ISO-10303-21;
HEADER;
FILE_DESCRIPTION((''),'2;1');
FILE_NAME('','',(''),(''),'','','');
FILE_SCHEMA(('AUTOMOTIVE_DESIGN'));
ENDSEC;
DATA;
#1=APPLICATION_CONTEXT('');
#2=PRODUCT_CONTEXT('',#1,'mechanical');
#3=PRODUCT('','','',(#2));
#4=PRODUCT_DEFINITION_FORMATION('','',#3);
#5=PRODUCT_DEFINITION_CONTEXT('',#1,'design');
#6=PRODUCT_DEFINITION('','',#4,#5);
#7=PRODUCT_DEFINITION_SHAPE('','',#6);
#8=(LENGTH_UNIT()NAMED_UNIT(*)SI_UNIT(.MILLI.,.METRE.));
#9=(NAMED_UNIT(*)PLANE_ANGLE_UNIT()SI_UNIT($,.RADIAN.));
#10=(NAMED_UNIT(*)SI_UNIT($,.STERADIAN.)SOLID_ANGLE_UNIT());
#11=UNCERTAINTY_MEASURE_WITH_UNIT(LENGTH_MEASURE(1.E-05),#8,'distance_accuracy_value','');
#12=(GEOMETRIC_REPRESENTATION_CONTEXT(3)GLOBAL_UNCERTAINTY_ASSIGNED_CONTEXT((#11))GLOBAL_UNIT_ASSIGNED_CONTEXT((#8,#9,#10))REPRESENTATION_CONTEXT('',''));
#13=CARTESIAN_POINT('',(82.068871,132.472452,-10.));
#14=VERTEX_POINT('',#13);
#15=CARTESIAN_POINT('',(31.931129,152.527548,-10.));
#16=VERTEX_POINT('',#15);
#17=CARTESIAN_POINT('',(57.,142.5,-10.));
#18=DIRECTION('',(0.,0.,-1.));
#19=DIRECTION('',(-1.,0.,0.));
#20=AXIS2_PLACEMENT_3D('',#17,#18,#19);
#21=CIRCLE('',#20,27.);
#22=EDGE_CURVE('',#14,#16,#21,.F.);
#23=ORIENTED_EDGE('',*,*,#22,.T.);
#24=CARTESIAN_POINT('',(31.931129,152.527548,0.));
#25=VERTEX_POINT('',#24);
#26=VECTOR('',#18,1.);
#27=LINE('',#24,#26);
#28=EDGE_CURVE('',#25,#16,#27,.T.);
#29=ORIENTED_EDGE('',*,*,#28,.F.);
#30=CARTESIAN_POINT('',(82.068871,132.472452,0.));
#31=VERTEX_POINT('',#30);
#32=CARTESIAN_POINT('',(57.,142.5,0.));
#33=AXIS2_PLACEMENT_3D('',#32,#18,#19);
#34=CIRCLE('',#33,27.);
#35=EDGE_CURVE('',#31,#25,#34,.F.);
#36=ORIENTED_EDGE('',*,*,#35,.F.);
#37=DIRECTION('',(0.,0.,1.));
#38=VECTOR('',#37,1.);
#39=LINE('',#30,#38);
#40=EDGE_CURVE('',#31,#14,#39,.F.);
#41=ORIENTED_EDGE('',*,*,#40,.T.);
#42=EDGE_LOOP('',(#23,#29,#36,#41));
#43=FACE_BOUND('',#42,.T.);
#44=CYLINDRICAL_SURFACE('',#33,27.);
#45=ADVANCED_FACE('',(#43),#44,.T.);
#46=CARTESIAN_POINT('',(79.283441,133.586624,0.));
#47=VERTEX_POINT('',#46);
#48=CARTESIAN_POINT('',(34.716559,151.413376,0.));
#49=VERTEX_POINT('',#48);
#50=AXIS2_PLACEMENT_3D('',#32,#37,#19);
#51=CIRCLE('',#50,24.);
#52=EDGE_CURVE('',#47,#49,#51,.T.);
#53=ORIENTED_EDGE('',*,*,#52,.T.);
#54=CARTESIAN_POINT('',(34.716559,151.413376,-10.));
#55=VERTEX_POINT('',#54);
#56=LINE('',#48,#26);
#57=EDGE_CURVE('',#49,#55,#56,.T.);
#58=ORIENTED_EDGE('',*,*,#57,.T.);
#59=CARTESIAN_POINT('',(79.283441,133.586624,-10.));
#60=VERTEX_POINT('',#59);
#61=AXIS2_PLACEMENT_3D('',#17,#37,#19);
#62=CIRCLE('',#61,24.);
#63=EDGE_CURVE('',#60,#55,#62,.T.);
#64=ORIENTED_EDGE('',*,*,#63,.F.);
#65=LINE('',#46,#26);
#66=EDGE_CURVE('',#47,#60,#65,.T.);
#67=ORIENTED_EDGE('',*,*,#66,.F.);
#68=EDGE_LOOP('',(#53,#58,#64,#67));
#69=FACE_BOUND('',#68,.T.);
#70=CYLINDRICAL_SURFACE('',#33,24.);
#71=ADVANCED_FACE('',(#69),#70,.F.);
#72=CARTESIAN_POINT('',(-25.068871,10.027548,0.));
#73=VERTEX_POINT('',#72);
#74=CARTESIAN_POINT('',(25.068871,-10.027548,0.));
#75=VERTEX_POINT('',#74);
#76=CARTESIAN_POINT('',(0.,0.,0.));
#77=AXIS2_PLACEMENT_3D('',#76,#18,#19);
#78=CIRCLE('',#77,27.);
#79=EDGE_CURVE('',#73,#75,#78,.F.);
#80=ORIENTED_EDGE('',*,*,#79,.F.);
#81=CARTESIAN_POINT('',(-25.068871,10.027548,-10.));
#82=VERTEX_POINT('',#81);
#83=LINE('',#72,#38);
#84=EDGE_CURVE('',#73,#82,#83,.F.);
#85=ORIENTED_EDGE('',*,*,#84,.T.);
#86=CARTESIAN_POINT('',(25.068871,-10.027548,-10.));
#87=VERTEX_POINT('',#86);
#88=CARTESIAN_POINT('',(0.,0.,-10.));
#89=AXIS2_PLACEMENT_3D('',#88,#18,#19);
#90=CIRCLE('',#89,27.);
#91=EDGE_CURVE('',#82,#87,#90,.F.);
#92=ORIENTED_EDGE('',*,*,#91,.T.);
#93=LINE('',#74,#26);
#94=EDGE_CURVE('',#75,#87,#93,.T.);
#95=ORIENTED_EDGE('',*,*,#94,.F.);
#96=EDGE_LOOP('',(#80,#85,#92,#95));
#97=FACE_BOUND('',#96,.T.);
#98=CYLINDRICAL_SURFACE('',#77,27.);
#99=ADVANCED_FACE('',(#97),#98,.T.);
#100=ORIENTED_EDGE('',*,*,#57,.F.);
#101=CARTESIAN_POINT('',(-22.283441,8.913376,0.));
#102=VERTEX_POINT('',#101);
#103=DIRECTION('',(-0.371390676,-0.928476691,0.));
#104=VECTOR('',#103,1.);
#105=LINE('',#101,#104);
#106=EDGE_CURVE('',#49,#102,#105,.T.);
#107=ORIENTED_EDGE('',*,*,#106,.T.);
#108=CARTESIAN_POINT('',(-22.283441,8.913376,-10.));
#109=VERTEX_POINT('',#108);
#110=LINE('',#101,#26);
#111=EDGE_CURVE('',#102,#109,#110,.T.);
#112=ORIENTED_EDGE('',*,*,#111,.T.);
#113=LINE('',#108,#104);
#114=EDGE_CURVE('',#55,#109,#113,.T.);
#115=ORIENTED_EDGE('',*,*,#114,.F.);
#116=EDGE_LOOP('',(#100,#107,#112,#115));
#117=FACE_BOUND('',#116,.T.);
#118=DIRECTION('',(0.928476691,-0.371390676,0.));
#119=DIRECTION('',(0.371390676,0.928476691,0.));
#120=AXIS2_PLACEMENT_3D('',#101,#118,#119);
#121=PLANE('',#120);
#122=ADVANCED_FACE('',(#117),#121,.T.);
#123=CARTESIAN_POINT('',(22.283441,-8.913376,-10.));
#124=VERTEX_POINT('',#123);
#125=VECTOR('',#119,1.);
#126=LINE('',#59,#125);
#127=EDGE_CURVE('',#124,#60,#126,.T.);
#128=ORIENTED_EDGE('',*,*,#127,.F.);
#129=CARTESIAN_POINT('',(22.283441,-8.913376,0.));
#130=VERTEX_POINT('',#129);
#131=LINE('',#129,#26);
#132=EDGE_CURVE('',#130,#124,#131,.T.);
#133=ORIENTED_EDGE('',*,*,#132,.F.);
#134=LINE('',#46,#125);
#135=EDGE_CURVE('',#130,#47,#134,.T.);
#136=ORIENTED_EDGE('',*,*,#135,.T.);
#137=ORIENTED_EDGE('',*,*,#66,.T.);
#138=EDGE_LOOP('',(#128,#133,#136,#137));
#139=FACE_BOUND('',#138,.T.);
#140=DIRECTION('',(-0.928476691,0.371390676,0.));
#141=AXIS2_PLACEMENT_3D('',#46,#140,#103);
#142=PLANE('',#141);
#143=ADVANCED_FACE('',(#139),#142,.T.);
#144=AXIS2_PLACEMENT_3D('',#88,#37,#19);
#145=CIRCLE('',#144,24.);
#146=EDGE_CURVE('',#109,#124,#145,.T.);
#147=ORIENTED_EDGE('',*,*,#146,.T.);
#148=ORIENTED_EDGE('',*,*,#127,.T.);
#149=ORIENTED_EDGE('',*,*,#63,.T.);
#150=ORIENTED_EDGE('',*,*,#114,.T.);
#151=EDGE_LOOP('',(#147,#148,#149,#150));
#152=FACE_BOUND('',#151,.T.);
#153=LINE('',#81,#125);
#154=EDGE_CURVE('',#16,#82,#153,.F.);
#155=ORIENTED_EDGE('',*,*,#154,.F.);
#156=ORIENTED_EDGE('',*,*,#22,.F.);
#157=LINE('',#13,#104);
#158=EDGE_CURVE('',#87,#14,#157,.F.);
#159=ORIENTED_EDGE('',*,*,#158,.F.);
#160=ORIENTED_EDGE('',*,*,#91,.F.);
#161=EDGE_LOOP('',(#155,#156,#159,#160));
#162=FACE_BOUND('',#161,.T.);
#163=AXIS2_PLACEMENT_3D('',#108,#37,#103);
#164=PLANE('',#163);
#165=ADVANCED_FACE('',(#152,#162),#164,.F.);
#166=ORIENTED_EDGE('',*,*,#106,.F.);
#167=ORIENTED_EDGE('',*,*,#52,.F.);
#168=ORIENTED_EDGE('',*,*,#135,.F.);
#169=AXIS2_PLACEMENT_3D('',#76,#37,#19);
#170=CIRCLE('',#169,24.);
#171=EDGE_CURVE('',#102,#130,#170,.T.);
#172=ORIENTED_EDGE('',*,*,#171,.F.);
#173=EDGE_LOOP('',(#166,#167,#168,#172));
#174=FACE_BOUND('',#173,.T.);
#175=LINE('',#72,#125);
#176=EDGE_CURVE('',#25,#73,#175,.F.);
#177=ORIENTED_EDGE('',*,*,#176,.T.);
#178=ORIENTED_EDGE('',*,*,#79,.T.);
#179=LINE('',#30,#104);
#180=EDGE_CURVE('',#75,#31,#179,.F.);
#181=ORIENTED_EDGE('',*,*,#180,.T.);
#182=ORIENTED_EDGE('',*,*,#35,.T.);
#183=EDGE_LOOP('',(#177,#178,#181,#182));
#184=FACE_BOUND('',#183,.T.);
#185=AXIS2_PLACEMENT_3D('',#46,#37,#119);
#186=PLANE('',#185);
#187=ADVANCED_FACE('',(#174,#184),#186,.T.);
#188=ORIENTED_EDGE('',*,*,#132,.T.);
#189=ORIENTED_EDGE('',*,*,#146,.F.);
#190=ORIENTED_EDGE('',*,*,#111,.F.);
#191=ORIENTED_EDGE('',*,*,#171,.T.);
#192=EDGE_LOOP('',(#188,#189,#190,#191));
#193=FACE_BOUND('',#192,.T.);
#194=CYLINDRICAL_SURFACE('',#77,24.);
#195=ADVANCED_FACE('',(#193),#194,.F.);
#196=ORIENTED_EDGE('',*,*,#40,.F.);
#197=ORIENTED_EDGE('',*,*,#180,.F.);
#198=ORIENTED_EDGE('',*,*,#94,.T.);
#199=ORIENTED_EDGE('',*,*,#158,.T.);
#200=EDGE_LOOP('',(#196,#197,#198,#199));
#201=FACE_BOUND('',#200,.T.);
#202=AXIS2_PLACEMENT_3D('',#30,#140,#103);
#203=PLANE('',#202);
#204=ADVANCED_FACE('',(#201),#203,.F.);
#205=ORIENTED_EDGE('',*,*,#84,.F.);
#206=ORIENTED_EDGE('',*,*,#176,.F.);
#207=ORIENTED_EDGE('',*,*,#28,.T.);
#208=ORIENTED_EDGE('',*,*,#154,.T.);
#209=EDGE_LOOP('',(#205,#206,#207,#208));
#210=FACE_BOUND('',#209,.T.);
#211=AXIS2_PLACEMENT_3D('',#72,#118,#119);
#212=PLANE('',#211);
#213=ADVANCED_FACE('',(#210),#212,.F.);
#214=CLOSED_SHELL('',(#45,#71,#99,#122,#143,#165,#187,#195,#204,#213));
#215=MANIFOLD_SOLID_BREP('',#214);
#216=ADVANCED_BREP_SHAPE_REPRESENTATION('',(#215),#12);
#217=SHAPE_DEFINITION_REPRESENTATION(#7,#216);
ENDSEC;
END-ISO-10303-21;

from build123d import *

# Parameters (mm, degrees)
SURFACE_EXTRUDE1_1_BACK  = 10
SURFACE_EXTRUDE1_1_DEPTH = 10
THICKEN1_T1              = 3


with BuildPart() as body_1:
    # Surface-Extrude1: a surface, the sketch's curves swept straight by 10 mm
    with BuildLine(Plane.XY.offset(-SURFACE_EXTRUDE1_1_BACK), mode=Mode.PRIVATE) as surface_extrude1_1_path:
        Line((-22.283440581, 8.913376232), (34.716559419, 151.413376232))
        ThreePointArc((34.716559419, 151.413376232), (65.913376232, 164.783440581), (79.283440581, 133.586623767))
        Line((79.283440581, 133.586623767), (22.283440581, -8.913376232))
        ThreePointArc((22.283440581, -8.913376232), (-8.913376232, -22.283440581), (-22.283440581, 8.913376232))
    surface_extrude1_1 = Shell.extrude(surface_extrude1_1_path.wire(), (0 * SURFACE_EXTRUDE1_1_DEPTH, 0 * SURFACE_EXTRUDE1_1_DEPTH, 1 * SURFACE_EXTRUDE1_1_DEPTH))
    add(Solid.thicken(surface_extrude1_1, THICKEN1_T1))


solid = body_1.part
